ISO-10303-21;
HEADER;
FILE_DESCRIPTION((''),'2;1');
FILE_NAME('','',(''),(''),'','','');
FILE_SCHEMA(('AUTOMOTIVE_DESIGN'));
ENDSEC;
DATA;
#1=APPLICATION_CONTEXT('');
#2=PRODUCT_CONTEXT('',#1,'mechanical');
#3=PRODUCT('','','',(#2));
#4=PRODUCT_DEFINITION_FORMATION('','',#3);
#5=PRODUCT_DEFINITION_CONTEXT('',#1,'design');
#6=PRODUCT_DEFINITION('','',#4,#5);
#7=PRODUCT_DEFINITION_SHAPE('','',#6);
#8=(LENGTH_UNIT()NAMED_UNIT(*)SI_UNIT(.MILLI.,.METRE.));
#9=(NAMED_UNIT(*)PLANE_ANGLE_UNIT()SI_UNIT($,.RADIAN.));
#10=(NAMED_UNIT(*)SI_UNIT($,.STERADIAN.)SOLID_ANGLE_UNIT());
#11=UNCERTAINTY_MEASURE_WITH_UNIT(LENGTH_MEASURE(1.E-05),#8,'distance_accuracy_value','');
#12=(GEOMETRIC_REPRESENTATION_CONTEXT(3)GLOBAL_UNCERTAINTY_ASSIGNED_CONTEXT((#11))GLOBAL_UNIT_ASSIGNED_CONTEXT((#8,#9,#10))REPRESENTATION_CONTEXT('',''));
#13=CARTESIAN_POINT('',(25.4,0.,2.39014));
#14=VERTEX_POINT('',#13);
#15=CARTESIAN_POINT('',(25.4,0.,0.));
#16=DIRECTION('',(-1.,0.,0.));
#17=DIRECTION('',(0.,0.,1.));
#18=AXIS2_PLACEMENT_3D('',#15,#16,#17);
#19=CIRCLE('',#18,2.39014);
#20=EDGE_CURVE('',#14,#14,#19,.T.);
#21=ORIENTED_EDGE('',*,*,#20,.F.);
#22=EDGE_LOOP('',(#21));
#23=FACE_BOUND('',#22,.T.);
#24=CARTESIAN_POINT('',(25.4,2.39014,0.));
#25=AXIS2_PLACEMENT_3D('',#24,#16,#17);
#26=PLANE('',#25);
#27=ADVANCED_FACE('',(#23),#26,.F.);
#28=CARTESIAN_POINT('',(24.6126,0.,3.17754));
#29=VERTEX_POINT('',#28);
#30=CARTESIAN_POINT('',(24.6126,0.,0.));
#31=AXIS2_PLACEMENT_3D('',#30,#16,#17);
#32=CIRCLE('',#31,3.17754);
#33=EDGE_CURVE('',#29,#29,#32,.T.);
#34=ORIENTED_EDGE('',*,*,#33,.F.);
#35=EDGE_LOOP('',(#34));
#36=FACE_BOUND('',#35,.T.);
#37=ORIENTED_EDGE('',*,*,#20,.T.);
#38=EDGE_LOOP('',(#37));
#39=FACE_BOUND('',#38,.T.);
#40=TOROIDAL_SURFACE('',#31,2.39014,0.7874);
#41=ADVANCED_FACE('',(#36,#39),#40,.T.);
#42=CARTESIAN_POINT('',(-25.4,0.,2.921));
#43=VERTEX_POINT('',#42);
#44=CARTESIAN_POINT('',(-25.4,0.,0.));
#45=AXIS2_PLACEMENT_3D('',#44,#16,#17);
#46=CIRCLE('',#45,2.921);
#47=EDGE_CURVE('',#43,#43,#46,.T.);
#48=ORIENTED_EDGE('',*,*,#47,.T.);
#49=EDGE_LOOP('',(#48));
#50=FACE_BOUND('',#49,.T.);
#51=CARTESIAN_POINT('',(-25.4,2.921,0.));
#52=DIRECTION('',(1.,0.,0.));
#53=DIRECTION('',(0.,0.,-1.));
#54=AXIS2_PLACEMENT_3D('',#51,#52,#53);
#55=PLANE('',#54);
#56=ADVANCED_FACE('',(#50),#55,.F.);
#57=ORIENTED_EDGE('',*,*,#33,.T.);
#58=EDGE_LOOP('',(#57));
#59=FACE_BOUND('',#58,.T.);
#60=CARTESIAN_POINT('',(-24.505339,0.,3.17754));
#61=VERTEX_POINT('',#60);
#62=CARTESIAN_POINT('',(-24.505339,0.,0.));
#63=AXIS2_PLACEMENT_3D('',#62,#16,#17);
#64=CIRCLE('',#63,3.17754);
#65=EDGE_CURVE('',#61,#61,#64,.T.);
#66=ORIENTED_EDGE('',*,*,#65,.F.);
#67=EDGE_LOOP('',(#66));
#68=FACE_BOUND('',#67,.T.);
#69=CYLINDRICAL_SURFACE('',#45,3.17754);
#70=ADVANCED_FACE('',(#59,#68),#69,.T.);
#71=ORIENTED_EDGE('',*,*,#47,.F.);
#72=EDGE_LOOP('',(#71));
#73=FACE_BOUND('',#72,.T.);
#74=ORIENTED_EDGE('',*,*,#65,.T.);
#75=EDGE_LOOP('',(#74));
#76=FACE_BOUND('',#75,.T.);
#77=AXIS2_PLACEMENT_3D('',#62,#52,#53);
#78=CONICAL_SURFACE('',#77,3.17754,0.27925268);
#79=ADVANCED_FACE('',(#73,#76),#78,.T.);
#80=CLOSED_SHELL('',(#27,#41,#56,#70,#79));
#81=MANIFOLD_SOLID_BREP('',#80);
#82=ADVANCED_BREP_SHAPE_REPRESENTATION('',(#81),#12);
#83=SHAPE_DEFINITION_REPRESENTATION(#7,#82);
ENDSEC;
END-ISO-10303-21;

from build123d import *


with BuildPart() as part:
    # Sketch3 → Revolve1 (revolve)
    with BuildSketch(Plane.XY, mode=Mode.PRIVATE) as revolve1_sk:
        with BuildLine():
            Line((25.4, 2.39014), (25.4, 0))
            Line((25.4, 0), (-25.4, 0))
            Line((-25.4, 0), (-25.4, 2.921))
            Line((-25.4, 2.921), (-24.505338699, 3.17754))
            Line((-24.505338699, 3.17754), (24.6126, 3.17754))
            ThreePointArc((24.6126, 3.17754), (25.16937588, 2.94691588), (25.4, 2.39014))
        make_face()
    revolve(revolve1_sk.sketch.rotate(Axis((-25.4, 0, 0), (1, 0, 0)), 90), axis=Axis((-25.4, 0, 0), (1, 0, 0)))


solid = part.part
